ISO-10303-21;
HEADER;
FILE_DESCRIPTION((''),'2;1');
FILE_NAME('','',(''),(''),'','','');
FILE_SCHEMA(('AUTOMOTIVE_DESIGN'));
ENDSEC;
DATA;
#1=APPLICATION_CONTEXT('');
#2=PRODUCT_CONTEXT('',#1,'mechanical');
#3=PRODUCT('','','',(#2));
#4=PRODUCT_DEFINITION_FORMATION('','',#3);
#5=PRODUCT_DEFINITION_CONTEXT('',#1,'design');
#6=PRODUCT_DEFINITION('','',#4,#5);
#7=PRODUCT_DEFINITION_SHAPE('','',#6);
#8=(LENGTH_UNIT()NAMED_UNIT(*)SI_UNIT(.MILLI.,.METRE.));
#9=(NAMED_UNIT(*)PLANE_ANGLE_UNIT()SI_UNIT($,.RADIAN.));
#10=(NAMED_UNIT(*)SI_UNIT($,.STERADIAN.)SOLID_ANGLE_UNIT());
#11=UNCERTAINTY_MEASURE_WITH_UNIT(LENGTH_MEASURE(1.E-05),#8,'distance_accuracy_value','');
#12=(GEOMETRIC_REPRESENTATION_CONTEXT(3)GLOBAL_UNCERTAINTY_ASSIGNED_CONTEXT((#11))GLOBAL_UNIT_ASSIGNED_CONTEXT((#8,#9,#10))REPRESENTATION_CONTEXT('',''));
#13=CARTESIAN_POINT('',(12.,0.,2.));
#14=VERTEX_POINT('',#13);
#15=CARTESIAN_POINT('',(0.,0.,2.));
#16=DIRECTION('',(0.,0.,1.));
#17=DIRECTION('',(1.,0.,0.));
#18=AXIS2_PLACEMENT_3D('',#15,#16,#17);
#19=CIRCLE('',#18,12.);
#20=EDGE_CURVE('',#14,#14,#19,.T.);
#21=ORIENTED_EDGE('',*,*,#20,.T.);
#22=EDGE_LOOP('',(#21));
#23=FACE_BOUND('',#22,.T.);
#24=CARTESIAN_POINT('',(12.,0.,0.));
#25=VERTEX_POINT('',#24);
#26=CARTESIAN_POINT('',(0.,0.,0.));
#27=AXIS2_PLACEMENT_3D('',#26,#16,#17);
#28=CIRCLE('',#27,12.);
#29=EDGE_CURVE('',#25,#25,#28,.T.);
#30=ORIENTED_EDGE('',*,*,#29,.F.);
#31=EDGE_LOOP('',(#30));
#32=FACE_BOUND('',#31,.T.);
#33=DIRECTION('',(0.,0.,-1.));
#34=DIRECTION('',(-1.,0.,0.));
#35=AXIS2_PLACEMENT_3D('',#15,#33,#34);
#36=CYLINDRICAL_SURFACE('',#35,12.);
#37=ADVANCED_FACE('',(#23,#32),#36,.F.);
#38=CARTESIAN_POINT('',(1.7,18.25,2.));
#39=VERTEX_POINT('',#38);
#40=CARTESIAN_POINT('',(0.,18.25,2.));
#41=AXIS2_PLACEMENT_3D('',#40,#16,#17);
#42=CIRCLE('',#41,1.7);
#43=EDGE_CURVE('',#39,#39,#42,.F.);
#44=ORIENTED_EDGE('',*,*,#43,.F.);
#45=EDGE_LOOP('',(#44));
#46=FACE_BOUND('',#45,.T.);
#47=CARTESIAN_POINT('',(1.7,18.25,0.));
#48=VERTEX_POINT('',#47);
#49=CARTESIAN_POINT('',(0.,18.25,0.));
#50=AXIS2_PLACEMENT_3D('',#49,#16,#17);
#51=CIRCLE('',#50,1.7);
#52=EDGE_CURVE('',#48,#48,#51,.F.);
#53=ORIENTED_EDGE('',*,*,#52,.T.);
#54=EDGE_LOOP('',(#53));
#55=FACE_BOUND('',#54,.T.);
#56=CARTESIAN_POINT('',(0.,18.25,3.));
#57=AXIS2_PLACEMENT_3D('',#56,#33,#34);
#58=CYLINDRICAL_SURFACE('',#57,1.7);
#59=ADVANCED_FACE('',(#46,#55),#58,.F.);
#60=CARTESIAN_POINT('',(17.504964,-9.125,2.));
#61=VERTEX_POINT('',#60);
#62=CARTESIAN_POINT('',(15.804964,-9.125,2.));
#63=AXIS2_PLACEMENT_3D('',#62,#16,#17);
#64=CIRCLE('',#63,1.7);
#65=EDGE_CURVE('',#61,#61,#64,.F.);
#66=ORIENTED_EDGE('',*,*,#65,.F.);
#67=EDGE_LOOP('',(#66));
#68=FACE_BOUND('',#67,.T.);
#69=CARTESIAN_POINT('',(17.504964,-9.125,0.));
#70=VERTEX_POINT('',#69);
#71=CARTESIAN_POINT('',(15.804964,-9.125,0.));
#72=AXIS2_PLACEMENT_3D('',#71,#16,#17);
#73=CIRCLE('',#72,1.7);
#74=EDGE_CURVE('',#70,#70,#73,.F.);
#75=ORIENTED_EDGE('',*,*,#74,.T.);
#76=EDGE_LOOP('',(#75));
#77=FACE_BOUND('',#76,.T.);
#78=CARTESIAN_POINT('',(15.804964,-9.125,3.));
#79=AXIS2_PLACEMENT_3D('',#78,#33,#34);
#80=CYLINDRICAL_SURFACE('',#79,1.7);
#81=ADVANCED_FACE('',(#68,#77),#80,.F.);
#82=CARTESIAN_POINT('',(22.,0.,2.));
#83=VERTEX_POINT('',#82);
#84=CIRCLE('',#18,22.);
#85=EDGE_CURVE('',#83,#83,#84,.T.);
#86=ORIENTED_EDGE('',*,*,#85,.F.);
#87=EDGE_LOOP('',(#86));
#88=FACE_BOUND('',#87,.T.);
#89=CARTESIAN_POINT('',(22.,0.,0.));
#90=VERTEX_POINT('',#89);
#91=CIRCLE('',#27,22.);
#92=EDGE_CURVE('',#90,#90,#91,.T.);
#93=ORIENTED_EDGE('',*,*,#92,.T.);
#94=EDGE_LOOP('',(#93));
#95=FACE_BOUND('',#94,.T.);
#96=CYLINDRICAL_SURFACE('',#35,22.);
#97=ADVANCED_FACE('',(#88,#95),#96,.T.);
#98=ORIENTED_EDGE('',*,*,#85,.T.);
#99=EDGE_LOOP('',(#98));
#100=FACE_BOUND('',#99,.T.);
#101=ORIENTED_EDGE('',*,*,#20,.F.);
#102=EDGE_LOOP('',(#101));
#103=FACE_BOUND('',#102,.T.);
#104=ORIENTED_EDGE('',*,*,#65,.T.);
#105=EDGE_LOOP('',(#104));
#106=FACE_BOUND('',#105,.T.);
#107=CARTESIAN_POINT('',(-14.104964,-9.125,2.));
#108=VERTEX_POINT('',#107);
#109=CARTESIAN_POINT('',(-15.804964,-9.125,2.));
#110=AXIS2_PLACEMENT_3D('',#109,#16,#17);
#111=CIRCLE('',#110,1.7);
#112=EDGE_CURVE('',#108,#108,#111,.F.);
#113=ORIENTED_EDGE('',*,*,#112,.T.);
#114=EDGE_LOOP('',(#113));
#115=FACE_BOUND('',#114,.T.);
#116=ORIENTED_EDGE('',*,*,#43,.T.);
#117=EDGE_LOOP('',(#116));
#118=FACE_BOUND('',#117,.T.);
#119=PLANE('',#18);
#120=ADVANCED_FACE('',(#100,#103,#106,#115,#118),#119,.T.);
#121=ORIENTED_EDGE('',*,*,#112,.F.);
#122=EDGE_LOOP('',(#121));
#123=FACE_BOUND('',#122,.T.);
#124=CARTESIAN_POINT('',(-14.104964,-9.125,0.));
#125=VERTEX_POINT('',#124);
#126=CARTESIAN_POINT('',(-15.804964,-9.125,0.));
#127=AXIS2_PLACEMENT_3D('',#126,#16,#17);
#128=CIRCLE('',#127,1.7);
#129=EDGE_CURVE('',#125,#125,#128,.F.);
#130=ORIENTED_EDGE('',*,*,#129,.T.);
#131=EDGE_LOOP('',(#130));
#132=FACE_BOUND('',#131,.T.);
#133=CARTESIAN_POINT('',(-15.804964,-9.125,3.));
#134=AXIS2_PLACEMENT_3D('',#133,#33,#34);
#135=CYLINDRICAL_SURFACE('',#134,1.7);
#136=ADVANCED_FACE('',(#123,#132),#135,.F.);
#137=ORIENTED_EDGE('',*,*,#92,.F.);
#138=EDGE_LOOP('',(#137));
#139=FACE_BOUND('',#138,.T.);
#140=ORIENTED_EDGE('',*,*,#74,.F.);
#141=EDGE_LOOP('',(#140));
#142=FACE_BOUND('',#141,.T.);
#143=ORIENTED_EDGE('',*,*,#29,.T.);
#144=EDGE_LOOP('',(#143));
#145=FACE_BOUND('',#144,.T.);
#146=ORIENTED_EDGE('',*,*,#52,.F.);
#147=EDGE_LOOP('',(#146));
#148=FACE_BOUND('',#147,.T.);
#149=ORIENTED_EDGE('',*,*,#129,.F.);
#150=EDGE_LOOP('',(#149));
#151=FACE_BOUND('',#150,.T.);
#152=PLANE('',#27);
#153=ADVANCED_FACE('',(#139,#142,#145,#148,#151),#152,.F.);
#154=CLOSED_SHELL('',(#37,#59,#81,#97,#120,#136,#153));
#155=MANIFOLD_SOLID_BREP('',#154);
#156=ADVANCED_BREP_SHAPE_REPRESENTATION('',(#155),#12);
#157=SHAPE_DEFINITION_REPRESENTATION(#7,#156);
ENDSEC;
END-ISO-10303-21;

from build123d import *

# Parameters (mm, degrees)
S01_OUTER_RACE_RETAINING_LIP_R          = 22
S01_OUTER_RACE_RETAINING_LIP_R_2        = 12
F_01_OUTER_RACE_RETAINING_LIP_DEPTH     = 2
F_02_START                              = -1
S02_THREE_ACCESSIBLE_SCREW_HOLES_R      = 1.7
F_02_THREE_ACCESSIBLE_SCREW_HOLES_DEPTH = 4


with BuildPart() as part:
    # S01 - Outer race retaining lip → 01 - Outer race retaining lip (new body)
    with BuildSketch(Plane.XY):
        Circle(S01_OUTER_RACE_RETAINING_LIP_R)
        Circle(S01_OUTER_RACE_RETAINING_LIP_R_2, mode=Mode.SUBTRACT)
    extrude(amount=F_01_OUTER_RACE_RETAINING_LIP_DEPTH)

    # S02 - Three accessible screw holes → 02 - Three accessible screw holes (cut)
    with BuildSketch(Plane.XY.offset(F_02_START)):
        with Locations((0, 18.25)):
            Circle(S02_THREE_ACCESSIBLE_SCREW_HOLES_R)
        with Locations((-15.804963619, -9.125)):
            Circle(S02_THREE_ACCESSIBLE_SCREW_HOLES_R)
        with Locations((15.804963619, -9.125)):
            Circle(S02_THREE_ACCESSIBLE_SCREW_HOLES_R)
    extrude(amount=F_02_THREE_ACCESSIBLE_SCREW_HOLES_DEPTH, mode=Mode.SUBTRACT)


solid = part.part
